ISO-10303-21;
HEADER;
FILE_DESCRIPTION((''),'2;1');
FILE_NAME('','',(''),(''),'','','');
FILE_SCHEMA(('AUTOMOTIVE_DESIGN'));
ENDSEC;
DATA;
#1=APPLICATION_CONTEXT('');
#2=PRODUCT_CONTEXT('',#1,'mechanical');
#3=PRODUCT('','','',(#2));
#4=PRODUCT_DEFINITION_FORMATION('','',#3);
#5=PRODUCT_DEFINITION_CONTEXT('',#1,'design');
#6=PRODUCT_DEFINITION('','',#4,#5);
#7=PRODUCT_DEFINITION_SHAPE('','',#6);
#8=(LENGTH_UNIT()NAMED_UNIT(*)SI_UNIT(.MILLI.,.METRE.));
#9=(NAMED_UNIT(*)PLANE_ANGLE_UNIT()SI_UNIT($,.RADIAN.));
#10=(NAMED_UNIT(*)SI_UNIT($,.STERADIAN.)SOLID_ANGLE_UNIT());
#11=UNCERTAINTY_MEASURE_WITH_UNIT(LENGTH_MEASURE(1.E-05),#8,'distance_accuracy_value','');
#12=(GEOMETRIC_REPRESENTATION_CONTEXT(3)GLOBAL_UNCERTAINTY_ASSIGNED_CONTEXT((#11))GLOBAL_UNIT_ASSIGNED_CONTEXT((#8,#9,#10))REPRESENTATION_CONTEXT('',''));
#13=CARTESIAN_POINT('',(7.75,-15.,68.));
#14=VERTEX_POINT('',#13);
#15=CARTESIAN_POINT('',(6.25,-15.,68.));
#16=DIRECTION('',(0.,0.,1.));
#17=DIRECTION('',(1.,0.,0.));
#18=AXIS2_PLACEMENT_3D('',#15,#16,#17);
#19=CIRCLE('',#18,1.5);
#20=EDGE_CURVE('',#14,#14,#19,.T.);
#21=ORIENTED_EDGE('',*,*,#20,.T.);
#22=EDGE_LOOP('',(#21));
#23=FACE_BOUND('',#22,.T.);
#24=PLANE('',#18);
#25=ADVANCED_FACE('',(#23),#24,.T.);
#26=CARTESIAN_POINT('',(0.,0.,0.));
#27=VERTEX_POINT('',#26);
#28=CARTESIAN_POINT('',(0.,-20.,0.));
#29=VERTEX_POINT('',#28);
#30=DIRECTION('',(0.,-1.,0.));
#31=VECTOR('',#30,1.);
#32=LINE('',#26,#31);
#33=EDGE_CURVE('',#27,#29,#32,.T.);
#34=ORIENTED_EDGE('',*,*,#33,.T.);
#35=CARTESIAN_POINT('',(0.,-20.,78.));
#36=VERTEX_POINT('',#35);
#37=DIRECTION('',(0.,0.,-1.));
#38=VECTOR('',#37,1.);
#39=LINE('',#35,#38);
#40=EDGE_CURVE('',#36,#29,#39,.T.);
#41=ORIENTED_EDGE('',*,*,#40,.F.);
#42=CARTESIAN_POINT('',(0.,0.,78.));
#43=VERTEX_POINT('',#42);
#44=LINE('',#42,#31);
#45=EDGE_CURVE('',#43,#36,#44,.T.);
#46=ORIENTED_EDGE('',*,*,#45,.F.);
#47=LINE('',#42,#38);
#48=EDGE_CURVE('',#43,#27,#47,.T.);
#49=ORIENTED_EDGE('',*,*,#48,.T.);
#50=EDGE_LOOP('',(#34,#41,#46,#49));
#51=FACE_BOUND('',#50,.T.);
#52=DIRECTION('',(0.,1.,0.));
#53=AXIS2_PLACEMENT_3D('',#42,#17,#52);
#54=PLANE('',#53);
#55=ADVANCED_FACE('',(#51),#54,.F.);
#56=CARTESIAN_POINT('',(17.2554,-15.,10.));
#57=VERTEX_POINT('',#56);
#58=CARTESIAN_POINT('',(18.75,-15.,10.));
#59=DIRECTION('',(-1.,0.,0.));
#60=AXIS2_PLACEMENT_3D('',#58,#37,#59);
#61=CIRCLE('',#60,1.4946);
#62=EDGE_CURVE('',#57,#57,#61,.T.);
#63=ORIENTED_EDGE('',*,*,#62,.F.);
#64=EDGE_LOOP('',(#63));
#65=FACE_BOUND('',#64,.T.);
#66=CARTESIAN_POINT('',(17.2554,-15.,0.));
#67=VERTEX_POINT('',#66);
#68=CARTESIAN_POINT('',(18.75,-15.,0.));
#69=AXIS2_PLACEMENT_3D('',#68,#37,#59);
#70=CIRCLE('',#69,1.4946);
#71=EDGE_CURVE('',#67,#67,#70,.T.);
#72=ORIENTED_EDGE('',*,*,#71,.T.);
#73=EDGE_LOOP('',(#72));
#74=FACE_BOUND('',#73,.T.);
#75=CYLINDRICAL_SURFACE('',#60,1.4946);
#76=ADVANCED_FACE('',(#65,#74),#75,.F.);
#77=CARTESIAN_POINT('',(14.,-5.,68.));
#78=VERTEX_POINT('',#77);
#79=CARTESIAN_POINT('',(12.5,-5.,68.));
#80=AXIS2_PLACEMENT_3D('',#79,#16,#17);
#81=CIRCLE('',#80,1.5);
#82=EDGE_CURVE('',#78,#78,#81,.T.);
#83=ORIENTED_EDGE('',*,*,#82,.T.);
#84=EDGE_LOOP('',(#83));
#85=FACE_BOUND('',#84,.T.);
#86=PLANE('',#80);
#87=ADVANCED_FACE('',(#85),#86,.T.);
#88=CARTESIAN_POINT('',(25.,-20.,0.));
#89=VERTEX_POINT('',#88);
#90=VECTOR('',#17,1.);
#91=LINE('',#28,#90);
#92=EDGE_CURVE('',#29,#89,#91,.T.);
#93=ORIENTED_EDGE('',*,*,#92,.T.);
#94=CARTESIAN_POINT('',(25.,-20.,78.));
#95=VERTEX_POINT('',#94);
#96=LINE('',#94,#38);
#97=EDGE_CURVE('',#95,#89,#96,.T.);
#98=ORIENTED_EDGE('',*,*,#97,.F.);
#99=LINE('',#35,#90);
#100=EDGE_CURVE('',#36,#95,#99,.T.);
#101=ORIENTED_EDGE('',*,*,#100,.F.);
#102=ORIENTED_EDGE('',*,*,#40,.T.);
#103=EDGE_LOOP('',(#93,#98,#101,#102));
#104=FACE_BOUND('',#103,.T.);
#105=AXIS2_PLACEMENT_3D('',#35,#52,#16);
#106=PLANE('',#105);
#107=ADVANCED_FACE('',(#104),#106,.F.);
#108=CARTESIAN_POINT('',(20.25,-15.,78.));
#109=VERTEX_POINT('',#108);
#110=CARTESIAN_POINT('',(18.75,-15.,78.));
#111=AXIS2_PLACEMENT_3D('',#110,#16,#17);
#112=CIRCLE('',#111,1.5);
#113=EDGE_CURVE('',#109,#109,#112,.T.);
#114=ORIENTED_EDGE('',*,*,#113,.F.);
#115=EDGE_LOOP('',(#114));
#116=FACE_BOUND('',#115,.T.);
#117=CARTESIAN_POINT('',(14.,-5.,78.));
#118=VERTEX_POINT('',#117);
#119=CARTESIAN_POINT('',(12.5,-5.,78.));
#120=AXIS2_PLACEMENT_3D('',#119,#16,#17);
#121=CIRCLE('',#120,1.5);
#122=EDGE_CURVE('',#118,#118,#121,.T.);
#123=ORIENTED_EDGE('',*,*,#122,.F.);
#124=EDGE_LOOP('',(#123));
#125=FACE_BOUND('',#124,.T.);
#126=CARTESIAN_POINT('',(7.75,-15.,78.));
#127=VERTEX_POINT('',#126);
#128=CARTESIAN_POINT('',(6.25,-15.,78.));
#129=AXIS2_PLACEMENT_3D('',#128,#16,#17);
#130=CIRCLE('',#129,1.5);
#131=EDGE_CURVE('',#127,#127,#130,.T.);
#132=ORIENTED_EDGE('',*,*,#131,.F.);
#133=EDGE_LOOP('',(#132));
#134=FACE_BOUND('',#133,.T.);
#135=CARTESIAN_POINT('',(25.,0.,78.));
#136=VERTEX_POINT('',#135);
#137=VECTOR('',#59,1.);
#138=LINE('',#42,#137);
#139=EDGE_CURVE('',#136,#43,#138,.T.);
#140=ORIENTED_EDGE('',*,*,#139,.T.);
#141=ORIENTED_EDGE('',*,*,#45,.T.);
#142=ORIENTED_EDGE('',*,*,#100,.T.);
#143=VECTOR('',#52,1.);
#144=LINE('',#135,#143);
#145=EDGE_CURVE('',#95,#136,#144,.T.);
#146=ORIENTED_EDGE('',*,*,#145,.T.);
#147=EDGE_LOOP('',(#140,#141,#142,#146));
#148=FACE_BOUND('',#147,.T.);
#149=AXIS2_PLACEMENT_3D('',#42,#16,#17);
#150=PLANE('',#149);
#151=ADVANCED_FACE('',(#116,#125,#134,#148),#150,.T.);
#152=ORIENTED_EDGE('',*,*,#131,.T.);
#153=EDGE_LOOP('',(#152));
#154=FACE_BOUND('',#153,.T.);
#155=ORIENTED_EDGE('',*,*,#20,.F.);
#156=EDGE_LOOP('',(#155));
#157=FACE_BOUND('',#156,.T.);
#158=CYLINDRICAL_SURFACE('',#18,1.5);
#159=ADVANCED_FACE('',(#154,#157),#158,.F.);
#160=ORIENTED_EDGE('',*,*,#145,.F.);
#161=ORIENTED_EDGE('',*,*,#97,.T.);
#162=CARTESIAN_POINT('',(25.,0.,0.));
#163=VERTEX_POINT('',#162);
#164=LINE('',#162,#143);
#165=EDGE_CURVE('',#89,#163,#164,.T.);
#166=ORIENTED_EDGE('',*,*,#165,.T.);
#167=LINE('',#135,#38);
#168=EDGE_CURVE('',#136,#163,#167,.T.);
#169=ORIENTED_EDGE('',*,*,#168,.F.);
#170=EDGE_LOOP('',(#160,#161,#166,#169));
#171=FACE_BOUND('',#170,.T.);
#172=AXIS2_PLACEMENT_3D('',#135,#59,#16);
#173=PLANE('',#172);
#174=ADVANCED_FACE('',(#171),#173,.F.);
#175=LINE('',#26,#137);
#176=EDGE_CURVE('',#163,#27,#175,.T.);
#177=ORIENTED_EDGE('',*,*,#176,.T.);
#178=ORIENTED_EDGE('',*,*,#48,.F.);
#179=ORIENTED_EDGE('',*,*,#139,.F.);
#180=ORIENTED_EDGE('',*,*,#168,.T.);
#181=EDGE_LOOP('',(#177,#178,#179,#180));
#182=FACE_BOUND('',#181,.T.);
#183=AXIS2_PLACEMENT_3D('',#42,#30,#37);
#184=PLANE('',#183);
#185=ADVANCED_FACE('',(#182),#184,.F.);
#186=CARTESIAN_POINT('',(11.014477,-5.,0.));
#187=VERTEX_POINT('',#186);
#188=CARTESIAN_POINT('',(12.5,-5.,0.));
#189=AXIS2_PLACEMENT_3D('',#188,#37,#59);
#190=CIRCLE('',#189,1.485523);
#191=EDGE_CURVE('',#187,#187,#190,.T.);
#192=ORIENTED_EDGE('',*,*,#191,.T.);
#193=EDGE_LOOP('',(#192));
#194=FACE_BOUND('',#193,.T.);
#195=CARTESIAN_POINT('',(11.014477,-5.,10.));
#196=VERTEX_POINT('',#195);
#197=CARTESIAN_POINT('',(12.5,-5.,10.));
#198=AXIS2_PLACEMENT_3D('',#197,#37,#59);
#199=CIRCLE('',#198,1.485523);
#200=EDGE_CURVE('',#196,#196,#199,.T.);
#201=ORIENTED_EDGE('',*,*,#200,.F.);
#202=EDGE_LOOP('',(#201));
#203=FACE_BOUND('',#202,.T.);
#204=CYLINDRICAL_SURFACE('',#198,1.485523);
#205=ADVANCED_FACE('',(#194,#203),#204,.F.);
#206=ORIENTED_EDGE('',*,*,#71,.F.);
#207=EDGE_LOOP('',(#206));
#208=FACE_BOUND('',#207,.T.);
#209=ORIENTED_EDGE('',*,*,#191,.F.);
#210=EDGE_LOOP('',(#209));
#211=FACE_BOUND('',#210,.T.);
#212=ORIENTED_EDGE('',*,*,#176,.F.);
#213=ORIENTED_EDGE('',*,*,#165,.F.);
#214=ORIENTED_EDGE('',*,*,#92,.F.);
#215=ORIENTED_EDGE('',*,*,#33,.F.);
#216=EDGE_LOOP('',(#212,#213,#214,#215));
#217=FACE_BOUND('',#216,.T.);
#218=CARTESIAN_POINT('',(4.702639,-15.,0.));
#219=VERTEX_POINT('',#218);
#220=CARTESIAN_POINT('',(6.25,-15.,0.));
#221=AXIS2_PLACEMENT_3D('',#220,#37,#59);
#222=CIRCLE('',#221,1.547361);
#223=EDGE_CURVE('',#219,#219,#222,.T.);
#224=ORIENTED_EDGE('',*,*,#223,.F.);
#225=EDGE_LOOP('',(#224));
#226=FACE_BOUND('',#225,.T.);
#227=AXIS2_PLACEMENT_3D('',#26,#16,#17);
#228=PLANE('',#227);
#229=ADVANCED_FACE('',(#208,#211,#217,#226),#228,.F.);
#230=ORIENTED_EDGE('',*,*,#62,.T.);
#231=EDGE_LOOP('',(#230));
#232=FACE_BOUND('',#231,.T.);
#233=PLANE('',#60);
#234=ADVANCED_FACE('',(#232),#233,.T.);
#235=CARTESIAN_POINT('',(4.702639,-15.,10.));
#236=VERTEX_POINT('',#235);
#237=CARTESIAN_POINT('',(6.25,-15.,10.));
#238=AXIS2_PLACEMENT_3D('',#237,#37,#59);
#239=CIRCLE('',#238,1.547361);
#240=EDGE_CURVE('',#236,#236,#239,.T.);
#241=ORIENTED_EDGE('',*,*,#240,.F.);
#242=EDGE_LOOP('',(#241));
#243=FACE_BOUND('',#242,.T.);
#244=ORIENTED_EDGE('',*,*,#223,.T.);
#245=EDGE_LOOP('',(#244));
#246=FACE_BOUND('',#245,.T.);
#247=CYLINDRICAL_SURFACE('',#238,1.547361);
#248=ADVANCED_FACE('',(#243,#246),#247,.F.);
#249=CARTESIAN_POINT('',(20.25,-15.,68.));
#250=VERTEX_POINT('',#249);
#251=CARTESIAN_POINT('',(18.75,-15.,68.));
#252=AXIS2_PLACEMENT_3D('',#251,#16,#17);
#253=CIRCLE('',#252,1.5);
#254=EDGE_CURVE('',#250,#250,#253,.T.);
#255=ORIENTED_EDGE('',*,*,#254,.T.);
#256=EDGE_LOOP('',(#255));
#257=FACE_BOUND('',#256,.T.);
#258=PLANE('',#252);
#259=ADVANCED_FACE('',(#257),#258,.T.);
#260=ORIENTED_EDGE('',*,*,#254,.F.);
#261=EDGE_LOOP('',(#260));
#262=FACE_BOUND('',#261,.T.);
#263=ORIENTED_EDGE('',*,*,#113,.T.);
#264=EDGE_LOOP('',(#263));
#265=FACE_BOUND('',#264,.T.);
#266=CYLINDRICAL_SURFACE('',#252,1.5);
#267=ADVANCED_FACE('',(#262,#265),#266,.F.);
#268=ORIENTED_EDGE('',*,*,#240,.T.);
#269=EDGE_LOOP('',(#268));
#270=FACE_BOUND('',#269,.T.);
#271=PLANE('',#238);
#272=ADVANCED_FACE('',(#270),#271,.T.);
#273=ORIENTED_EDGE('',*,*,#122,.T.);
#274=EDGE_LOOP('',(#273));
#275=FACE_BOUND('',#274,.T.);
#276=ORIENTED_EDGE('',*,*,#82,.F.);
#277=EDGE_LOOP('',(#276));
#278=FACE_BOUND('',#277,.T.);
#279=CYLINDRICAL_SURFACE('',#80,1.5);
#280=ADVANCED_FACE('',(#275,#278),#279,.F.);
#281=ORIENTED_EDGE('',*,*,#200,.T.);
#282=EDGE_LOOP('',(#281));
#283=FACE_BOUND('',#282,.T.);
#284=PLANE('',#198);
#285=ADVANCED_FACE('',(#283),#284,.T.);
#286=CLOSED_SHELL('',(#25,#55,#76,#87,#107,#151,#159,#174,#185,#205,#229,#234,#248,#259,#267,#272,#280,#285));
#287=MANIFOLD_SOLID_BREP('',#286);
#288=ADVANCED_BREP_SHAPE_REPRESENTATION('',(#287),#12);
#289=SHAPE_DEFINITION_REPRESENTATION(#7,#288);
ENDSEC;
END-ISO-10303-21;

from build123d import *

# Parameters (mm, degrees)
SKETCH1_W           = 25
SKETCH1_H           = 20
BOSS_EXTRUDE2_DEPTH = 78
SKETCH3_R           = 1.5
CUT_EXTRUDE2_DEPTH  = 10
SKETCH6_R           = 1.485523147
SKETCH6_R_2         = 1.547360616
SKETCH6_R_3         = 1.494600316
CUT_EXTRUDE3_DEPTH  = 10


with BuildPart() as part:
    # Sketch1 → Boss-Extrude2 (new body)
    with BuildSketch(Plane.XY):
        with Locations((12.5, -10)):
            Rectangle(SKETCH1_W, SKETCH1_H)
    extrude(amount=BOSS_EXTRUDE2_DEPTH)

    # Sketch3 → Cut-Extrude2 (cut)
    with BuildSketch(Plane.XY.offset(78)):
        with Locations((6.25, -15)):
            Circle(SKETCH3_R)
        with Locations((12.5, -5)):
            Circle(SKETCH3_R)
        with Locations((18.75, -15)):
            Circle(SKETCH3_R)
    extrude(amount=-CUT_EXTRUDE2_DEPTH, mode=Mode.SUBTRACT)

    # Sketch6 → Cut-Extrude3 (cut)
    with BuildSketch(Plane(origin=(0, 0, 0), x_dir=(-1, 0, 0), z_dir=(0, 0, -1))):
        with Locations((-12.5, -5)):
            Circle(SKETCH6_R)
        with Locations((-6.25, -15)):
            Circle(SKETCH6_R_2)
        with Locations((-18.75, -15)):
            Circle(SKETCH6_R_3)
    extrude(amount=-CUT_EXTRUDE3_DEPTH, mode=Mode.SUBTRACT)


solid = part.part
